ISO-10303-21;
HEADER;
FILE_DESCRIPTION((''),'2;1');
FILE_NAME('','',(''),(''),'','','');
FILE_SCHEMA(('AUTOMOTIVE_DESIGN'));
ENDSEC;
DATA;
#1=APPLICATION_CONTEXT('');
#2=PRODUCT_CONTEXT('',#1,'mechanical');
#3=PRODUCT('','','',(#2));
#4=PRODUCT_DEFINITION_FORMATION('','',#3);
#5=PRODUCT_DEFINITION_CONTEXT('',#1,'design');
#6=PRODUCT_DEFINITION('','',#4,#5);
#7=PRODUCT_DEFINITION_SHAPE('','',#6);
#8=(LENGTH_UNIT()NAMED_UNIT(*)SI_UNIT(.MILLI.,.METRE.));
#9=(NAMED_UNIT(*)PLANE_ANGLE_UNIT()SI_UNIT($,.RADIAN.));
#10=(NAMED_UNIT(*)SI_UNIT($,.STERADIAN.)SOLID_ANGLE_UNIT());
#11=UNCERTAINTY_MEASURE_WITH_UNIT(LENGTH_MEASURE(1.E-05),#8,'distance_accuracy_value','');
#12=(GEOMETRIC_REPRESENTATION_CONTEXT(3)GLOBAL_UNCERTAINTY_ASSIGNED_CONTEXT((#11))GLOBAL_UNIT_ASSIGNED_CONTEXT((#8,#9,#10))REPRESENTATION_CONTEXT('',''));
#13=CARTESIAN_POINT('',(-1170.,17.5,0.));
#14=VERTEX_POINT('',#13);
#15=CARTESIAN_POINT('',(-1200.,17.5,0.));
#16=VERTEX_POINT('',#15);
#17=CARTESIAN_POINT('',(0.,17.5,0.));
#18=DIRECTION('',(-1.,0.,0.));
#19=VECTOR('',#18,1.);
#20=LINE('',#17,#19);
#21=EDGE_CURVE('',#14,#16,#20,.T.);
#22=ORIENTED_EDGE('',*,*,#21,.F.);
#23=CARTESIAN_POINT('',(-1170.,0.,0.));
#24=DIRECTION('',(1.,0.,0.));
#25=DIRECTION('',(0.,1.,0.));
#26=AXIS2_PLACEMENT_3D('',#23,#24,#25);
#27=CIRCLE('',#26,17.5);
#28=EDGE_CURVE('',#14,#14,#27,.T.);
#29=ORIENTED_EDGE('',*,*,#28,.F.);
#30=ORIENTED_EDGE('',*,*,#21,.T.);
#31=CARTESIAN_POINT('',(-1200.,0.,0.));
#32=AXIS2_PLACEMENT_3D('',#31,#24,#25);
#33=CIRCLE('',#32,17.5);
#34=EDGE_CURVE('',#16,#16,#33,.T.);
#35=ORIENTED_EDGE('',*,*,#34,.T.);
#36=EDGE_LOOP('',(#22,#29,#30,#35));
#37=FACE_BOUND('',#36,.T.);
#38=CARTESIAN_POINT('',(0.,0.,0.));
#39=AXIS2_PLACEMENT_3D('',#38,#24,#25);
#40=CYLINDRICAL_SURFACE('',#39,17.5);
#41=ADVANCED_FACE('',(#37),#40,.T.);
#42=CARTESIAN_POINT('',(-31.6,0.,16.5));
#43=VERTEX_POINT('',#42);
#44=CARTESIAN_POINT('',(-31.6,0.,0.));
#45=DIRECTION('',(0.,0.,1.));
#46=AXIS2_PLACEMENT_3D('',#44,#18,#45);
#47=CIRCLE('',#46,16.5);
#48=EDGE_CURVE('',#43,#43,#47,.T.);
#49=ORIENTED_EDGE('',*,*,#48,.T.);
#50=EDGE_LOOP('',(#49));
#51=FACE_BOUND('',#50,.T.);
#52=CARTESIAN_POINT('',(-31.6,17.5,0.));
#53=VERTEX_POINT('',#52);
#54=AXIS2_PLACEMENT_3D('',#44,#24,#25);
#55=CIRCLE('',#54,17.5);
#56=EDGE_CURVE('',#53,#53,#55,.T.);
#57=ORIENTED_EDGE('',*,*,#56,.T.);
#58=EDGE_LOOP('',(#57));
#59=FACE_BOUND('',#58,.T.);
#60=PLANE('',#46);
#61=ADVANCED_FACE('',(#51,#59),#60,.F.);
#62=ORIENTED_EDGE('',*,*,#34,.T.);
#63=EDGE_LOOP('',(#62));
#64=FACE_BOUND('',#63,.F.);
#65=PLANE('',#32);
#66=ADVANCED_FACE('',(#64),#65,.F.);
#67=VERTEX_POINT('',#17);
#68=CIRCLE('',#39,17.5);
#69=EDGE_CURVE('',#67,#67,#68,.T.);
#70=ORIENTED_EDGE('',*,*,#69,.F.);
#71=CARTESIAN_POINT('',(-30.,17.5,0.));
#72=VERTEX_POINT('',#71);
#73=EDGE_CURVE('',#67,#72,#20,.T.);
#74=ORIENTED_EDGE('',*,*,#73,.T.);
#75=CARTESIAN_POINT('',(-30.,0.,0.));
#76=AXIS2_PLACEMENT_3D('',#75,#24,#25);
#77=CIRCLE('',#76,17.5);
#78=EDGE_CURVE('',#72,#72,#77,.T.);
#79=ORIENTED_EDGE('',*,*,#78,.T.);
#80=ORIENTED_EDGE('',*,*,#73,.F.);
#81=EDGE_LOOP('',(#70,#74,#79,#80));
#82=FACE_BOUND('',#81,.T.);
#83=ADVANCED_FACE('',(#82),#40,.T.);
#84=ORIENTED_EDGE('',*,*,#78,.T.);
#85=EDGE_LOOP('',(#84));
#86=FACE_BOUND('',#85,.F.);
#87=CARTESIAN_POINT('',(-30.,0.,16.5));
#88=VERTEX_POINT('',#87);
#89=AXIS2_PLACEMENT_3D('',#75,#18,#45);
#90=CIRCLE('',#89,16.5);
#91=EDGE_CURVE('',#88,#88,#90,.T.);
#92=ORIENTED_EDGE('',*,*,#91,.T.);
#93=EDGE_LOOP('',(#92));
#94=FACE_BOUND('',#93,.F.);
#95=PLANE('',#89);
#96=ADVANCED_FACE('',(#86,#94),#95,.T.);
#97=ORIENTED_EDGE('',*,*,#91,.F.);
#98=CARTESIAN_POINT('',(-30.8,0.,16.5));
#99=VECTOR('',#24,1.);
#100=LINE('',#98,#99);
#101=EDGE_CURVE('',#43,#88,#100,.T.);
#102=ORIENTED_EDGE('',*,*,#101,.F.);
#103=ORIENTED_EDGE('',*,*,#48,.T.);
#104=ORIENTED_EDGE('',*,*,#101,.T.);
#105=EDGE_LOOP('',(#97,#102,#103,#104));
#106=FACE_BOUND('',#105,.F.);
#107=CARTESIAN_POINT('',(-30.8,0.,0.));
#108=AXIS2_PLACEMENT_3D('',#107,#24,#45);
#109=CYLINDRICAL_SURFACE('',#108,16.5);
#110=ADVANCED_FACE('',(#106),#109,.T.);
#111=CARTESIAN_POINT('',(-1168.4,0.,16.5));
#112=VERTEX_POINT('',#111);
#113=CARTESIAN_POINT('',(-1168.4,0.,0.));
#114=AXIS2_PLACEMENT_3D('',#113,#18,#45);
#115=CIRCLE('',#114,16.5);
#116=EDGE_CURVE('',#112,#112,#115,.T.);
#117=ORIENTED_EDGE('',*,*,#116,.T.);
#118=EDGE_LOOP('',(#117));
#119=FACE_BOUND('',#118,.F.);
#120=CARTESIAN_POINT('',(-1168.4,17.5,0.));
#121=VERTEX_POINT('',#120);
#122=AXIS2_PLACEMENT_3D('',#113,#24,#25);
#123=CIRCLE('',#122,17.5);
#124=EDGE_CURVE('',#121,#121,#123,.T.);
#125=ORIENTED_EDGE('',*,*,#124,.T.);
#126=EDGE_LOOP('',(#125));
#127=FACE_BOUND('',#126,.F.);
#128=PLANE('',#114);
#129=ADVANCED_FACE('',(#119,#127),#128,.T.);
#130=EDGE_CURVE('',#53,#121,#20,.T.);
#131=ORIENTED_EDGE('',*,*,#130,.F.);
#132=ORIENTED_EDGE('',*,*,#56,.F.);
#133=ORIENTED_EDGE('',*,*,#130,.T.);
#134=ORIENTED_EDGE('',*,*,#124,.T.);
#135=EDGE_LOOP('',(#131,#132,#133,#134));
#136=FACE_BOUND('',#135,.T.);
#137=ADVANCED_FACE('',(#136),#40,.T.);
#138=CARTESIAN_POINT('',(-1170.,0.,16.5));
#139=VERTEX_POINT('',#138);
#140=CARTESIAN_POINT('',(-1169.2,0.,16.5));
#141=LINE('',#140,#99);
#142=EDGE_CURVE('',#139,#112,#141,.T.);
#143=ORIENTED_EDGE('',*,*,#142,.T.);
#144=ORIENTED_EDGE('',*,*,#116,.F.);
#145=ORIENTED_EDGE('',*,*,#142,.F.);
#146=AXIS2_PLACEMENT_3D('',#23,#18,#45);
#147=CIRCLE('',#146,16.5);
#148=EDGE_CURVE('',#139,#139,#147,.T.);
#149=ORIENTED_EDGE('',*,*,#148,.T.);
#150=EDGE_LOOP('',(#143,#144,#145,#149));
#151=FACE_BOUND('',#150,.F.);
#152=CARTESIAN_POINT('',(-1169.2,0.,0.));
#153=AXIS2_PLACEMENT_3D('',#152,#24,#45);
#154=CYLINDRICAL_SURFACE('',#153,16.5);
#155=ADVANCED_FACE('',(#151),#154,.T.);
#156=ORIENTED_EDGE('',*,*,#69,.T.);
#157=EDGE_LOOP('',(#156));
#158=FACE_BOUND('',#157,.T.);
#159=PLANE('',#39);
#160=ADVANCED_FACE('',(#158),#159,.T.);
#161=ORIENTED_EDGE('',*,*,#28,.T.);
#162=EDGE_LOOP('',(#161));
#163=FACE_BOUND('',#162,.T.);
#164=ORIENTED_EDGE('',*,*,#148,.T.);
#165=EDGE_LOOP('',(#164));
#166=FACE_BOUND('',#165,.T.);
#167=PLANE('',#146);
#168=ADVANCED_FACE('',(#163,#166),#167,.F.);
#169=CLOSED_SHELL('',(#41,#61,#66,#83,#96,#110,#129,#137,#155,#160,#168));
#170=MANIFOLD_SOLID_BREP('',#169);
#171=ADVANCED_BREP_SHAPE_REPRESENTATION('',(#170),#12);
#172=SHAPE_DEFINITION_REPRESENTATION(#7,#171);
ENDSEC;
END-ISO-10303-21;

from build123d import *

# Parameters (mm, degrees)
F0_R     = 17.5
F1_DEPTH = 1200
F2_W     = 1.6
F2_H     = 1


with BuildPart() as f1:
    # F0 (on Right) → F1 (new body)
    with BuildSketch(Plane.YZ):
        Circle(F0_R)
    extrude(amount=-F1_DEPTH)

    # F2 (on Front) → F3 (revolve, cut)
    with BuildSketch(Plane.XZ):
        with Locations((-30.8, 17)):
            Rectangle(F2_W, F2_H)
        with Locations((-1169.2, 17)):
            Rectangle(F2_W, F2_H)
    revolve(axis=Axis((-600, 0, 0), (-1, 0, 0)), mode=Mode.SUBTRACT)


solid = f1.part
